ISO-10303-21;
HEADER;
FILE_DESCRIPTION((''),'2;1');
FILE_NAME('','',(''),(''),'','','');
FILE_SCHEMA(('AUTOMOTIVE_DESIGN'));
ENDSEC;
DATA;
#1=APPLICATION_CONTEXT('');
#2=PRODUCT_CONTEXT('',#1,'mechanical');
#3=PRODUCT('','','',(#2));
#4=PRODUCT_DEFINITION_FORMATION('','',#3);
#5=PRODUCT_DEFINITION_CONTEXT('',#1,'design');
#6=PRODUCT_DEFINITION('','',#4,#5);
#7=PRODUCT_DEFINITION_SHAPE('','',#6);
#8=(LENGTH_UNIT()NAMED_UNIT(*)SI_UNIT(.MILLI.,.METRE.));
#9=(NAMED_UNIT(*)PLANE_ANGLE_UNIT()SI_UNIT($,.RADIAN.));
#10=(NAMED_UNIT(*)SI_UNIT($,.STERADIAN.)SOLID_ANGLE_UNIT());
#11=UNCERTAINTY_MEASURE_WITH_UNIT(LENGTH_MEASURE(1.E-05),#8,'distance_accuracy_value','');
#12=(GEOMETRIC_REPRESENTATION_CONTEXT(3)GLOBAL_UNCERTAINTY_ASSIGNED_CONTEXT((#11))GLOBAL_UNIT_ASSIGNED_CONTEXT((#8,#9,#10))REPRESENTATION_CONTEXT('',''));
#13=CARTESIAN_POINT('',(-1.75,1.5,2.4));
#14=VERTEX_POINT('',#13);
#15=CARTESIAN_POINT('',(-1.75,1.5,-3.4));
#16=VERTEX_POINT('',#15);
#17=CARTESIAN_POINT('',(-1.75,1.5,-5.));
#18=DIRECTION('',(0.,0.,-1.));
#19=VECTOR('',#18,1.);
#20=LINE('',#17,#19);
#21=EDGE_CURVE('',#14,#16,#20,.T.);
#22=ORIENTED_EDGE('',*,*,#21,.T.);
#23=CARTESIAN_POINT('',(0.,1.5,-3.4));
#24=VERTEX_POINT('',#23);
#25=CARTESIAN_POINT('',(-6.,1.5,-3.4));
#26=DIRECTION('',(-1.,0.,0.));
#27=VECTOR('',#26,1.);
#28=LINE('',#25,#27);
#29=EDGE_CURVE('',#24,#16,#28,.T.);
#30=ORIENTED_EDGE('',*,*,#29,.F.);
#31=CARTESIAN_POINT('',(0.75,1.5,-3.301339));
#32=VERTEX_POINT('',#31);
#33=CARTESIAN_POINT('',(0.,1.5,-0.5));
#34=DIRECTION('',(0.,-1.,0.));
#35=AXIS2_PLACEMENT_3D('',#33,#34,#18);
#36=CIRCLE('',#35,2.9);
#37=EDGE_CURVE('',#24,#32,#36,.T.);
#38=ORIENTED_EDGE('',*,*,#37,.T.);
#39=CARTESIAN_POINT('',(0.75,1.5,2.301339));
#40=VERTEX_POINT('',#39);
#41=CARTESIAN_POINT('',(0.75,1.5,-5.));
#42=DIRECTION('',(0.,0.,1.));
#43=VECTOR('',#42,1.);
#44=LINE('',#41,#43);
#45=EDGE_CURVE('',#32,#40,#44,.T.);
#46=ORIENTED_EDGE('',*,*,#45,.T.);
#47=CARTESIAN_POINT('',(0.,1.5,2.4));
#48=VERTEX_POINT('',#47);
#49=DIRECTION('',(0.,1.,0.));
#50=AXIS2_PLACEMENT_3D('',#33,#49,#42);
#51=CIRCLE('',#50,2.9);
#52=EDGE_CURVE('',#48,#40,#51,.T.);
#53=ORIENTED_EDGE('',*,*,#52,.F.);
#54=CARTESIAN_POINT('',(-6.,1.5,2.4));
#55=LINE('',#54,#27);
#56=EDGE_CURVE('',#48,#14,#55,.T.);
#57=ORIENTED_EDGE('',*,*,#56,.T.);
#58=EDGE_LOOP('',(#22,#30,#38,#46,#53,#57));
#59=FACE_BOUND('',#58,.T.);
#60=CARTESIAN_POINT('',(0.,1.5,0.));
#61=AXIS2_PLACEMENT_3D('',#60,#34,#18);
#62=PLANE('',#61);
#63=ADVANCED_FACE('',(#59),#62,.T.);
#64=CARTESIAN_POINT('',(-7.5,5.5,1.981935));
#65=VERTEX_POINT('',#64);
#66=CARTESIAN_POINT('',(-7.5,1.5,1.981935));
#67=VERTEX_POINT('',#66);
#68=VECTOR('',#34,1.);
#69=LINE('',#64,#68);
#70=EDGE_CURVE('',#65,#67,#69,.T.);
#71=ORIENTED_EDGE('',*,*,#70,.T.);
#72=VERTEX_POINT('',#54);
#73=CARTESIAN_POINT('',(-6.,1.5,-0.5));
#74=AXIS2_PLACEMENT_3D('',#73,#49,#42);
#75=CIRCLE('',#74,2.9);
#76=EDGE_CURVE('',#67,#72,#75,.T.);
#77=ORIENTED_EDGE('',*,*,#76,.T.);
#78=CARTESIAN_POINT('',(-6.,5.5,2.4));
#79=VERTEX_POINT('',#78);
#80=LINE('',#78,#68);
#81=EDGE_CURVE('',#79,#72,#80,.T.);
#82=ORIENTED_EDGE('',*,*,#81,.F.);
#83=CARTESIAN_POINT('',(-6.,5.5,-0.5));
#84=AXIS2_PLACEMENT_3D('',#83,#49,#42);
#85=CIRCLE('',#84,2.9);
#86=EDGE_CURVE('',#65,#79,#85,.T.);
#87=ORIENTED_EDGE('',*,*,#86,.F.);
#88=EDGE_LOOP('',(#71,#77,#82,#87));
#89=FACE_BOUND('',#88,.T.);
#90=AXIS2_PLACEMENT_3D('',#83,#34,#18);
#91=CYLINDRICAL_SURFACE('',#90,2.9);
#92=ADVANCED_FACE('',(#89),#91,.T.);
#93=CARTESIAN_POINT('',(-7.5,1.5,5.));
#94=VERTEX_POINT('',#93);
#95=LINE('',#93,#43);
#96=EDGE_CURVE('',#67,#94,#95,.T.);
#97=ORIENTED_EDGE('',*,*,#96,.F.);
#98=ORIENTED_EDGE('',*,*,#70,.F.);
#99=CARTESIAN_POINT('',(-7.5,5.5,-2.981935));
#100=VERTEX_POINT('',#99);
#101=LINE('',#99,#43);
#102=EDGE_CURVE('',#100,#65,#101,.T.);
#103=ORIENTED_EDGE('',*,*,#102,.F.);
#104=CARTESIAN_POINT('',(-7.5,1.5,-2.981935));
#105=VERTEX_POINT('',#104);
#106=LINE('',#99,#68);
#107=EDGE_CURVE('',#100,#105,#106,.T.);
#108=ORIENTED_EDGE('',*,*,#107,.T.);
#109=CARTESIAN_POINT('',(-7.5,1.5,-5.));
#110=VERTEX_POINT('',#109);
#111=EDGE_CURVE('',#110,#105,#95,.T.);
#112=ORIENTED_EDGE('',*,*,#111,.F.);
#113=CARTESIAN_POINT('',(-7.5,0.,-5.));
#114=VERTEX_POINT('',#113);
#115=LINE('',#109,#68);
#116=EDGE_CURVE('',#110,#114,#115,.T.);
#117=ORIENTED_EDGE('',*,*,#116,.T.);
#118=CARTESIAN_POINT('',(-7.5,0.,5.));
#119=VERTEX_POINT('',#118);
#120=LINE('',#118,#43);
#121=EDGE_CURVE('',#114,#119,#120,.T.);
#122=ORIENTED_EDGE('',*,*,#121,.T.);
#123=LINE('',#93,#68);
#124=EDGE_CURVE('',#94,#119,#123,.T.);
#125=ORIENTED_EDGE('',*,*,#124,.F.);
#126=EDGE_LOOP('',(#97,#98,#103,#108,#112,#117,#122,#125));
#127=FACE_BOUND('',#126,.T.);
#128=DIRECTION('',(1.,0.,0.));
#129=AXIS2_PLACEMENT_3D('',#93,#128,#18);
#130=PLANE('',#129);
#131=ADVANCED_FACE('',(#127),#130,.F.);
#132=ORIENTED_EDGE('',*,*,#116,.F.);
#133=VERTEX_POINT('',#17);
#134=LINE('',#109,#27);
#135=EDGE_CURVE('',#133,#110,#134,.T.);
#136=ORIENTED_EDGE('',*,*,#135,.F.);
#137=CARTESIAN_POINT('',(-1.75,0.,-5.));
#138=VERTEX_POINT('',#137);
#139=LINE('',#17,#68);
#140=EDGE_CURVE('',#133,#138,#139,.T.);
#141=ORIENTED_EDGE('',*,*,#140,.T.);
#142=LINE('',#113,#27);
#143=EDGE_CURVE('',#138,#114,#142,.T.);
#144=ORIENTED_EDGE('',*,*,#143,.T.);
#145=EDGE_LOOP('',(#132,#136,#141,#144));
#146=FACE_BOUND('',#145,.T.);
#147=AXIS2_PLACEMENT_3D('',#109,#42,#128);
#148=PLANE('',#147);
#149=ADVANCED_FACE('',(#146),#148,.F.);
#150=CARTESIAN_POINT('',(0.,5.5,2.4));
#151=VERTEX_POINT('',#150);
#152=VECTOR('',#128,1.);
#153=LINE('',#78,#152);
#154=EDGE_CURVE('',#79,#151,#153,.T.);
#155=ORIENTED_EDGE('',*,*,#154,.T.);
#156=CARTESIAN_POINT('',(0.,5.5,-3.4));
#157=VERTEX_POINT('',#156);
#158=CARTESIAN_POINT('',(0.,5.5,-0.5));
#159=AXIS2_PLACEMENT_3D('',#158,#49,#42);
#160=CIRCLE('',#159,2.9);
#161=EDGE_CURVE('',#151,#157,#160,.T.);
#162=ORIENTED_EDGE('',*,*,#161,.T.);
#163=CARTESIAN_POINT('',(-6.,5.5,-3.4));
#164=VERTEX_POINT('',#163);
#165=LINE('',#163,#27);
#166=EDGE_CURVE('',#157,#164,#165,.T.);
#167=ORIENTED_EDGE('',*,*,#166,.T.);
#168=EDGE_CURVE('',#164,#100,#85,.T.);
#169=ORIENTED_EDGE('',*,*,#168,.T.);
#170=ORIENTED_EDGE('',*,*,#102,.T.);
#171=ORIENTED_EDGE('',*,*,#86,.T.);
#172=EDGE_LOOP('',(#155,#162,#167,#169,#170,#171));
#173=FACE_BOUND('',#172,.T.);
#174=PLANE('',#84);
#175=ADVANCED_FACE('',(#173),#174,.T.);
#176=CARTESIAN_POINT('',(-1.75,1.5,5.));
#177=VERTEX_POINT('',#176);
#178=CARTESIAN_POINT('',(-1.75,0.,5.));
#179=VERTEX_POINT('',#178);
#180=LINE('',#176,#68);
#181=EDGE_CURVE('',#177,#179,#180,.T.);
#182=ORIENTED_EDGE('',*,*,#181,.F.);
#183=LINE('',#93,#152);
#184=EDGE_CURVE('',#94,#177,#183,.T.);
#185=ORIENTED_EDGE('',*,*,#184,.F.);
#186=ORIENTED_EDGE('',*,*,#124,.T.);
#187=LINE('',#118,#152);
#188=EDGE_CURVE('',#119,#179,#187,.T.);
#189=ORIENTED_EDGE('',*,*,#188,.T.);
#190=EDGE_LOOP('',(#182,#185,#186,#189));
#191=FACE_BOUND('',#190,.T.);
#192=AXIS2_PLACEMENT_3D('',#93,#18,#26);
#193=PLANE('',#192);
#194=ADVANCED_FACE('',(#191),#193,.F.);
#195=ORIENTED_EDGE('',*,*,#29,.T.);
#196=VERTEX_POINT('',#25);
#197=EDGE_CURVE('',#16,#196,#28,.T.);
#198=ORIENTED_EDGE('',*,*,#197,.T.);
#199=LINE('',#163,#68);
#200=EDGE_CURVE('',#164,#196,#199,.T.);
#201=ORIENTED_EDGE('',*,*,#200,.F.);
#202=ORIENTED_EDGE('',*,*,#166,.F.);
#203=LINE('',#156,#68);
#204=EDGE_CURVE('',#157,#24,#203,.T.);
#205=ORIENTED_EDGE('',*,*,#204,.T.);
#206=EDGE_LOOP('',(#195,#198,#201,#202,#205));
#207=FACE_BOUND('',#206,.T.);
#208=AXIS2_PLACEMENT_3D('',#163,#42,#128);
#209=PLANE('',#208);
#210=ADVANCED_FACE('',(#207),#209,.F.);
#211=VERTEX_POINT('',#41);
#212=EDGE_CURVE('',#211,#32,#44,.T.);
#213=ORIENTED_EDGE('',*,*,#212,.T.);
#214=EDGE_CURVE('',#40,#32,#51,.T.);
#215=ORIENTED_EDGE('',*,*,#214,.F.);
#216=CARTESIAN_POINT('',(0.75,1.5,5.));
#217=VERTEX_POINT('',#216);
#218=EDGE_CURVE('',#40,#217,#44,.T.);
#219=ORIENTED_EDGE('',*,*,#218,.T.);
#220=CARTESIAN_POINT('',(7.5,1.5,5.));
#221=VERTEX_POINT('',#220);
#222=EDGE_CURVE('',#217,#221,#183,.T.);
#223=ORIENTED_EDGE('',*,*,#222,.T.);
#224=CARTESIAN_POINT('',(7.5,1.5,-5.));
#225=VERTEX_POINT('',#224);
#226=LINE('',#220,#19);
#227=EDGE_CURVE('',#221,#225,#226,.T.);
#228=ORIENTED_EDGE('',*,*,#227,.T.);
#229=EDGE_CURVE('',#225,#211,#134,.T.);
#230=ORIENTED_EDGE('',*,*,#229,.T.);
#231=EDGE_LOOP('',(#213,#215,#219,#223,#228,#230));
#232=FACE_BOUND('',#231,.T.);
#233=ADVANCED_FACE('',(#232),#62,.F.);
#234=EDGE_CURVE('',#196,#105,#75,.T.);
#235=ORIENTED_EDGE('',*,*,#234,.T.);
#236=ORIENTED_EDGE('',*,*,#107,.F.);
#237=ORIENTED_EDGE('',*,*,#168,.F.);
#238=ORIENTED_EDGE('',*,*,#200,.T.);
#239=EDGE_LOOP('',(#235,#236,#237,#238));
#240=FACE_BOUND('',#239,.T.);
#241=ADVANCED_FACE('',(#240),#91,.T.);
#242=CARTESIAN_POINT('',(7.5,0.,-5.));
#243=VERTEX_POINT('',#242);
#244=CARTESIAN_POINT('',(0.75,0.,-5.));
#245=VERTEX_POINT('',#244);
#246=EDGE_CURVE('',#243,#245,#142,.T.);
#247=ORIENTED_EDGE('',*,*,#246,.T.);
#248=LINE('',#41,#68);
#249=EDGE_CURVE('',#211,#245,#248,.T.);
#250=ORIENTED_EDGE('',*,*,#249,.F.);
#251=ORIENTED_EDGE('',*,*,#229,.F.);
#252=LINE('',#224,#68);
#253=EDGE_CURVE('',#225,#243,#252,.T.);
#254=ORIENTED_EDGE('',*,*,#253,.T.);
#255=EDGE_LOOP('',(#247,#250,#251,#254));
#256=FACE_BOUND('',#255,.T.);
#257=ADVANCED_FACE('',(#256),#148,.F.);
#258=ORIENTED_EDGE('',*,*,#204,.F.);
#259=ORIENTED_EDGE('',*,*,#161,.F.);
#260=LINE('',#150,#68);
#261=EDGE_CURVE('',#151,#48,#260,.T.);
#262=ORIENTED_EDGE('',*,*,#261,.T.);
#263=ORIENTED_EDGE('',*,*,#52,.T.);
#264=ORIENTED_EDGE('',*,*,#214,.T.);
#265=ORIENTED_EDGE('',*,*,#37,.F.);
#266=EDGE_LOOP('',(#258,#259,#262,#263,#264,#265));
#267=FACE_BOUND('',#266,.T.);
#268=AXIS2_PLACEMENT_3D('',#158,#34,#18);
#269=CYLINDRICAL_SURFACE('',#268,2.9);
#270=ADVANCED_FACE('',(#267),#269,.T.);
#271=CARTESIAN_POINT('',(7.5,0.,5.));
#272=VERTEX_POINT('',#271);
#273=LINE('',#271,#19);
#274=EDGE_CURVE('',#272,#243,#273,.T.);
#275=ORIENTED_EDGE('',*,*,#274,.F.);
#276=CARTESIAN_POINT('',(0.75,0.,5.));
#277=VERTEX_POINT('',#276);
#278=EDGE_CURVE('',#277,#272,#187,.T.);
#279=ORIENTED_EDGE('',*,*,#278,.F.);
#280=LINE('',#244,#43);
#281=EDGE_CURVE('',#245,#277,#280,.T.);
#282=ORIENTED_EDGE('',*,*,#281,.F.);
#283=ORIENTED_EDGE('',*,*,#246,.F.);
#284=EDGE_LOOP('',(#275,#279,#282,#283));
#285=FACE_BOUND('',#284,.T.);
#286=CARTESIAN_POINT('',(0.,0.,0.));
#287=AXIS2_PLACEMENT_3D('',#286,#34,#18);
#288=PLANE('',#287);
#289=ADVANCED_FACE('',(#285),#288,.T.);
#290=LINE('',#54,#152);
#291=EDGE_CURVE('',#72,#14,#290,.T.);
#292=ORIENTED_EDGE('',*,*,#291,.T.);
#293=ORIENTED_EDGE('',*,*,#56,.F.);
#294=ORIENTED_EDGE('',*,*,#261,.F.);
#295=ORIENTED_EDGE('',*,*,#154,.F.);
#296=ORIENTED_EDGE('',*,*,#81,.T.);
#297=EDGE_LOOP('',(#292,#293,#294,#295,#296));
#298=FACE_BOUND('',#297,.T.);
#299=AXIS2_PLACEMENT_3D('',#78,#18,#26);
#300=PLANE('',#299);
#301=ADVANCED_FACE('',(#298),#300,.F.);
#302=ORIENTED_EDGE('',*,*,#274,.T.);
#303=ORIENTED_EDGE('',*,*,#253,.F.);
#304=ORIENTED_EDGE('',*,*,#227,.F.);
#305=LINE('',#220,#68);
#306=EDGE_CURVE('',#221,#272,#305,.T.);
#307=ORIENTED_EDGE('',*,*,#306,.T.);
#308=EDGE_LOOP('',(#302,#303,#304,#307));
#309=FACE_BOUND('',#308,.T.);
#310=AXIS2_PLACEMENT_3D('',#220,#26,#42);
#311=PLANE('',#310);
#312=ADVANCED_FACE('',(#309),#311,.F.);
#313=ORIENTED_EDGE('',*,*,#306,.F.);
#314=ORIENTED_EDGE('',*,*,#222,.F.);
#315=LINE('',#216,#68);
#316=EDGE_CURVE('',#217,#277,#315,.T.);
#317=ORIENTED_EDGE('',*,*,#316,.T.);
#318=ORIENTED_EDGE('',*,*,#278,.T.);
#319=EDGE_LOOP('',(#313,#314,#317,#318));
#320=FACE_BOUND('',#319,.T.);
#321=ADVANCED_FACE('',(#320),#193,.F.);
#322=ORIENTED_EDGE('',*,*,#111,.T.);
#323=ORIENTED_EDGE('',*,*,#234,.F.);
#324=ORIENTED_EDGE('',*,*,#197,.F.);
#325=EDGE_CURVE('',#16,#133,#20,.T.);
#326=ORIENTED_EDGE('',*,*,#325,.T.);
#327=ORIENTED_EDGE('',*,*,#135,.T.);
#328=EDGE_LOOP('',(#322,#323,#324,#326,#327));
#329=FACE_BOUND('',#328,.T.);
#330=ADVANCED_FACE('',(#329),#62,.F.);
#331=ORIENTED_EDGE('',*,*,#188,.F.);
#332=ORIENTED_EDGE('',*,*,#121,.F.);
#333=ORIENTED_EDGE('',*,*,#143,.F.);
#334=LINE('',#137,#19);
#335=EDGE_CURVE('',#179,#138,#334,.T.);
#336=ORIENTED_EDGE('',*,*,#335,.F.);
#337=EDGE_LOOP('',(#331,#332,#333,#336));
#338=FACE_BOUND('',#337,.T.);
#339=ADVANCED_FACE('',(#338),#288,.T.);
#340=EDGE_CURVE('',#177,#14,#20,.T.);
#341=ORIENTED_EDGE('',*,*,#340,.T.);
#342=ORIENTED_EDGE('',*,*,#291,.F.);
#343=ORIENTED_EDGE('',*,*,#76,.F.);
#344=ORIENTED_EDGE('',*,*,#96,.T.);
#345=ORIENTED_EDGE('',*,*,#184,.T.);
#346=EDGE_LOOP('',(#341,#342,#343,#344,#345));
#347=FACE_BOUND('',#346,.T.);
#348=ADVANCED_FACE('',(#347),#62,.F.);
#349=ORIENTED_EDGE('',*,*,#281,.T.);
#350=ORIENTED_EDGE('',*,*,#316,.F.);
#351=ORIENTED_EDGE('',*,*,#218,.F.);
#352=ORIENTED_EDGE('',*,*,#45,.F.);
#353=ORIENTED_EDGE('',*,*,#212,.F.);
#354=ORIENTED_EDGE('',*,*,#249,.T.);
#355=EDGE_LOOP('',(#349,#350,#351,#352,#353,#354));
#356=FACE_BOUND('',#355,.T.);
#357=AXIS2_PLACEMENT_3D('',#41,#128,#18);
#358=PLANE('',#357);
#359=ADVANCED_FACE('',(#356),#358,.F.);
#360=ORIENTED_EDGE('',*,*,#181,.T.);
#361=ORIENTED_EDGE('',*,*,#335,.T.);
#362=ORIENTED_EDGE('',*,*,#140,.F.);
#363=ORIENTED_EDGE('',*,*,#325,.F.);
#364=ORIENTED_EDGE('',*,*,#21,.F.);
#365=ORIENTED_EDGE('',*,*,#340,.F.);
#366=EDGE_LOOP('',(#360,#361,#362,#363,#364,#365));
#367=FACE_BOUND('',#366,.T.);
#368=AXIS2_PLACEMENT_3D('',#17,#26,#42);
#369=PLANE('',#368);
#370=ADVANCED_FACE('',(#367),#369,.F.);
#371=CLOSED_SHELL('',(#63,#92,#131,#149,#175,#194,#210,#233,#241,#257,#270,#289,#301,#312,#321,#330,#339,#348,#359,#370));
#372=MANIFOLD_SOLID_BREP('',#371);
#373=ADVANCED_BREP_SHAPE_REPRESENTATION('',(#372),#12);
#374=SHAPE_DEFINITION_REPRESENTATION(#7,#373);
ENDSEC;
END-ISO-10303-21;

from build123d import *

# Parameters (mm, degrees)
SKETCH1_W           = 15
SKETCH1_H           = 10
BOSS_EXTRUDE1_DEPTH = 1.5
BOSS_EXTRUDE2_DEPTH = 4
SKETCH3_W           = 2.5
SKETCH3_H           = 10
CUT_EXTRUDE1_DEPTH  = 1.5


with BuildPart() as part:
    # Sketch1 → Boss-Extrude1 (new body)
    with BuildSketch(Plane(origin=(0, 0, 0), x_dir=(1, 0, 0), z_dir=(0, 1, 0))):
        Rectangle(SKETCH1_W, SKETCH1_H)
    extrude(amount=BOSS_EXTRUDE1_DEPTH)

    # Sketch2 → Boss-Extrude2 (add)
    with BuildSketch(Plane(origin=(0, 1.5, 0), x_dir=(1, 0, 0), z_dir=(0, 1, 0))):
        with BuildLine():
            Line((-6, 3.4), (0, 3.4))
            ThreePointArc((0, 3.4), (2.9, 0.5), (0, -2.4))
            Line((0, -2.4), (-6, -2.4))
            ThreePointArc((-6, -2.4), (-6.778585026, -2.293529194), (-7.5, -1.981934729))
            Line((-7.5, -1.981934729), (-7.5, 2.981934729))
            ThreePointArc((-7.5, 2.981934729), (-6.778585026, 3.293529194), (-6, 3.4))
        make_face()
    extrude(amount=BOSS_EXTRUDE2_DEPTH)

    # Sketch3 → Cut-Extrude1 (cut)
    with BuildSketch(Plane.XZ):
        with Locations((-0.5, 0)):
            Rectangle(SKETCH3_W, SKETCH3_H)
    extrude(amount=-CUT_EXTRUDE1_DEPTH, mode=Mode.SUBTRACT)


solid = part.part
